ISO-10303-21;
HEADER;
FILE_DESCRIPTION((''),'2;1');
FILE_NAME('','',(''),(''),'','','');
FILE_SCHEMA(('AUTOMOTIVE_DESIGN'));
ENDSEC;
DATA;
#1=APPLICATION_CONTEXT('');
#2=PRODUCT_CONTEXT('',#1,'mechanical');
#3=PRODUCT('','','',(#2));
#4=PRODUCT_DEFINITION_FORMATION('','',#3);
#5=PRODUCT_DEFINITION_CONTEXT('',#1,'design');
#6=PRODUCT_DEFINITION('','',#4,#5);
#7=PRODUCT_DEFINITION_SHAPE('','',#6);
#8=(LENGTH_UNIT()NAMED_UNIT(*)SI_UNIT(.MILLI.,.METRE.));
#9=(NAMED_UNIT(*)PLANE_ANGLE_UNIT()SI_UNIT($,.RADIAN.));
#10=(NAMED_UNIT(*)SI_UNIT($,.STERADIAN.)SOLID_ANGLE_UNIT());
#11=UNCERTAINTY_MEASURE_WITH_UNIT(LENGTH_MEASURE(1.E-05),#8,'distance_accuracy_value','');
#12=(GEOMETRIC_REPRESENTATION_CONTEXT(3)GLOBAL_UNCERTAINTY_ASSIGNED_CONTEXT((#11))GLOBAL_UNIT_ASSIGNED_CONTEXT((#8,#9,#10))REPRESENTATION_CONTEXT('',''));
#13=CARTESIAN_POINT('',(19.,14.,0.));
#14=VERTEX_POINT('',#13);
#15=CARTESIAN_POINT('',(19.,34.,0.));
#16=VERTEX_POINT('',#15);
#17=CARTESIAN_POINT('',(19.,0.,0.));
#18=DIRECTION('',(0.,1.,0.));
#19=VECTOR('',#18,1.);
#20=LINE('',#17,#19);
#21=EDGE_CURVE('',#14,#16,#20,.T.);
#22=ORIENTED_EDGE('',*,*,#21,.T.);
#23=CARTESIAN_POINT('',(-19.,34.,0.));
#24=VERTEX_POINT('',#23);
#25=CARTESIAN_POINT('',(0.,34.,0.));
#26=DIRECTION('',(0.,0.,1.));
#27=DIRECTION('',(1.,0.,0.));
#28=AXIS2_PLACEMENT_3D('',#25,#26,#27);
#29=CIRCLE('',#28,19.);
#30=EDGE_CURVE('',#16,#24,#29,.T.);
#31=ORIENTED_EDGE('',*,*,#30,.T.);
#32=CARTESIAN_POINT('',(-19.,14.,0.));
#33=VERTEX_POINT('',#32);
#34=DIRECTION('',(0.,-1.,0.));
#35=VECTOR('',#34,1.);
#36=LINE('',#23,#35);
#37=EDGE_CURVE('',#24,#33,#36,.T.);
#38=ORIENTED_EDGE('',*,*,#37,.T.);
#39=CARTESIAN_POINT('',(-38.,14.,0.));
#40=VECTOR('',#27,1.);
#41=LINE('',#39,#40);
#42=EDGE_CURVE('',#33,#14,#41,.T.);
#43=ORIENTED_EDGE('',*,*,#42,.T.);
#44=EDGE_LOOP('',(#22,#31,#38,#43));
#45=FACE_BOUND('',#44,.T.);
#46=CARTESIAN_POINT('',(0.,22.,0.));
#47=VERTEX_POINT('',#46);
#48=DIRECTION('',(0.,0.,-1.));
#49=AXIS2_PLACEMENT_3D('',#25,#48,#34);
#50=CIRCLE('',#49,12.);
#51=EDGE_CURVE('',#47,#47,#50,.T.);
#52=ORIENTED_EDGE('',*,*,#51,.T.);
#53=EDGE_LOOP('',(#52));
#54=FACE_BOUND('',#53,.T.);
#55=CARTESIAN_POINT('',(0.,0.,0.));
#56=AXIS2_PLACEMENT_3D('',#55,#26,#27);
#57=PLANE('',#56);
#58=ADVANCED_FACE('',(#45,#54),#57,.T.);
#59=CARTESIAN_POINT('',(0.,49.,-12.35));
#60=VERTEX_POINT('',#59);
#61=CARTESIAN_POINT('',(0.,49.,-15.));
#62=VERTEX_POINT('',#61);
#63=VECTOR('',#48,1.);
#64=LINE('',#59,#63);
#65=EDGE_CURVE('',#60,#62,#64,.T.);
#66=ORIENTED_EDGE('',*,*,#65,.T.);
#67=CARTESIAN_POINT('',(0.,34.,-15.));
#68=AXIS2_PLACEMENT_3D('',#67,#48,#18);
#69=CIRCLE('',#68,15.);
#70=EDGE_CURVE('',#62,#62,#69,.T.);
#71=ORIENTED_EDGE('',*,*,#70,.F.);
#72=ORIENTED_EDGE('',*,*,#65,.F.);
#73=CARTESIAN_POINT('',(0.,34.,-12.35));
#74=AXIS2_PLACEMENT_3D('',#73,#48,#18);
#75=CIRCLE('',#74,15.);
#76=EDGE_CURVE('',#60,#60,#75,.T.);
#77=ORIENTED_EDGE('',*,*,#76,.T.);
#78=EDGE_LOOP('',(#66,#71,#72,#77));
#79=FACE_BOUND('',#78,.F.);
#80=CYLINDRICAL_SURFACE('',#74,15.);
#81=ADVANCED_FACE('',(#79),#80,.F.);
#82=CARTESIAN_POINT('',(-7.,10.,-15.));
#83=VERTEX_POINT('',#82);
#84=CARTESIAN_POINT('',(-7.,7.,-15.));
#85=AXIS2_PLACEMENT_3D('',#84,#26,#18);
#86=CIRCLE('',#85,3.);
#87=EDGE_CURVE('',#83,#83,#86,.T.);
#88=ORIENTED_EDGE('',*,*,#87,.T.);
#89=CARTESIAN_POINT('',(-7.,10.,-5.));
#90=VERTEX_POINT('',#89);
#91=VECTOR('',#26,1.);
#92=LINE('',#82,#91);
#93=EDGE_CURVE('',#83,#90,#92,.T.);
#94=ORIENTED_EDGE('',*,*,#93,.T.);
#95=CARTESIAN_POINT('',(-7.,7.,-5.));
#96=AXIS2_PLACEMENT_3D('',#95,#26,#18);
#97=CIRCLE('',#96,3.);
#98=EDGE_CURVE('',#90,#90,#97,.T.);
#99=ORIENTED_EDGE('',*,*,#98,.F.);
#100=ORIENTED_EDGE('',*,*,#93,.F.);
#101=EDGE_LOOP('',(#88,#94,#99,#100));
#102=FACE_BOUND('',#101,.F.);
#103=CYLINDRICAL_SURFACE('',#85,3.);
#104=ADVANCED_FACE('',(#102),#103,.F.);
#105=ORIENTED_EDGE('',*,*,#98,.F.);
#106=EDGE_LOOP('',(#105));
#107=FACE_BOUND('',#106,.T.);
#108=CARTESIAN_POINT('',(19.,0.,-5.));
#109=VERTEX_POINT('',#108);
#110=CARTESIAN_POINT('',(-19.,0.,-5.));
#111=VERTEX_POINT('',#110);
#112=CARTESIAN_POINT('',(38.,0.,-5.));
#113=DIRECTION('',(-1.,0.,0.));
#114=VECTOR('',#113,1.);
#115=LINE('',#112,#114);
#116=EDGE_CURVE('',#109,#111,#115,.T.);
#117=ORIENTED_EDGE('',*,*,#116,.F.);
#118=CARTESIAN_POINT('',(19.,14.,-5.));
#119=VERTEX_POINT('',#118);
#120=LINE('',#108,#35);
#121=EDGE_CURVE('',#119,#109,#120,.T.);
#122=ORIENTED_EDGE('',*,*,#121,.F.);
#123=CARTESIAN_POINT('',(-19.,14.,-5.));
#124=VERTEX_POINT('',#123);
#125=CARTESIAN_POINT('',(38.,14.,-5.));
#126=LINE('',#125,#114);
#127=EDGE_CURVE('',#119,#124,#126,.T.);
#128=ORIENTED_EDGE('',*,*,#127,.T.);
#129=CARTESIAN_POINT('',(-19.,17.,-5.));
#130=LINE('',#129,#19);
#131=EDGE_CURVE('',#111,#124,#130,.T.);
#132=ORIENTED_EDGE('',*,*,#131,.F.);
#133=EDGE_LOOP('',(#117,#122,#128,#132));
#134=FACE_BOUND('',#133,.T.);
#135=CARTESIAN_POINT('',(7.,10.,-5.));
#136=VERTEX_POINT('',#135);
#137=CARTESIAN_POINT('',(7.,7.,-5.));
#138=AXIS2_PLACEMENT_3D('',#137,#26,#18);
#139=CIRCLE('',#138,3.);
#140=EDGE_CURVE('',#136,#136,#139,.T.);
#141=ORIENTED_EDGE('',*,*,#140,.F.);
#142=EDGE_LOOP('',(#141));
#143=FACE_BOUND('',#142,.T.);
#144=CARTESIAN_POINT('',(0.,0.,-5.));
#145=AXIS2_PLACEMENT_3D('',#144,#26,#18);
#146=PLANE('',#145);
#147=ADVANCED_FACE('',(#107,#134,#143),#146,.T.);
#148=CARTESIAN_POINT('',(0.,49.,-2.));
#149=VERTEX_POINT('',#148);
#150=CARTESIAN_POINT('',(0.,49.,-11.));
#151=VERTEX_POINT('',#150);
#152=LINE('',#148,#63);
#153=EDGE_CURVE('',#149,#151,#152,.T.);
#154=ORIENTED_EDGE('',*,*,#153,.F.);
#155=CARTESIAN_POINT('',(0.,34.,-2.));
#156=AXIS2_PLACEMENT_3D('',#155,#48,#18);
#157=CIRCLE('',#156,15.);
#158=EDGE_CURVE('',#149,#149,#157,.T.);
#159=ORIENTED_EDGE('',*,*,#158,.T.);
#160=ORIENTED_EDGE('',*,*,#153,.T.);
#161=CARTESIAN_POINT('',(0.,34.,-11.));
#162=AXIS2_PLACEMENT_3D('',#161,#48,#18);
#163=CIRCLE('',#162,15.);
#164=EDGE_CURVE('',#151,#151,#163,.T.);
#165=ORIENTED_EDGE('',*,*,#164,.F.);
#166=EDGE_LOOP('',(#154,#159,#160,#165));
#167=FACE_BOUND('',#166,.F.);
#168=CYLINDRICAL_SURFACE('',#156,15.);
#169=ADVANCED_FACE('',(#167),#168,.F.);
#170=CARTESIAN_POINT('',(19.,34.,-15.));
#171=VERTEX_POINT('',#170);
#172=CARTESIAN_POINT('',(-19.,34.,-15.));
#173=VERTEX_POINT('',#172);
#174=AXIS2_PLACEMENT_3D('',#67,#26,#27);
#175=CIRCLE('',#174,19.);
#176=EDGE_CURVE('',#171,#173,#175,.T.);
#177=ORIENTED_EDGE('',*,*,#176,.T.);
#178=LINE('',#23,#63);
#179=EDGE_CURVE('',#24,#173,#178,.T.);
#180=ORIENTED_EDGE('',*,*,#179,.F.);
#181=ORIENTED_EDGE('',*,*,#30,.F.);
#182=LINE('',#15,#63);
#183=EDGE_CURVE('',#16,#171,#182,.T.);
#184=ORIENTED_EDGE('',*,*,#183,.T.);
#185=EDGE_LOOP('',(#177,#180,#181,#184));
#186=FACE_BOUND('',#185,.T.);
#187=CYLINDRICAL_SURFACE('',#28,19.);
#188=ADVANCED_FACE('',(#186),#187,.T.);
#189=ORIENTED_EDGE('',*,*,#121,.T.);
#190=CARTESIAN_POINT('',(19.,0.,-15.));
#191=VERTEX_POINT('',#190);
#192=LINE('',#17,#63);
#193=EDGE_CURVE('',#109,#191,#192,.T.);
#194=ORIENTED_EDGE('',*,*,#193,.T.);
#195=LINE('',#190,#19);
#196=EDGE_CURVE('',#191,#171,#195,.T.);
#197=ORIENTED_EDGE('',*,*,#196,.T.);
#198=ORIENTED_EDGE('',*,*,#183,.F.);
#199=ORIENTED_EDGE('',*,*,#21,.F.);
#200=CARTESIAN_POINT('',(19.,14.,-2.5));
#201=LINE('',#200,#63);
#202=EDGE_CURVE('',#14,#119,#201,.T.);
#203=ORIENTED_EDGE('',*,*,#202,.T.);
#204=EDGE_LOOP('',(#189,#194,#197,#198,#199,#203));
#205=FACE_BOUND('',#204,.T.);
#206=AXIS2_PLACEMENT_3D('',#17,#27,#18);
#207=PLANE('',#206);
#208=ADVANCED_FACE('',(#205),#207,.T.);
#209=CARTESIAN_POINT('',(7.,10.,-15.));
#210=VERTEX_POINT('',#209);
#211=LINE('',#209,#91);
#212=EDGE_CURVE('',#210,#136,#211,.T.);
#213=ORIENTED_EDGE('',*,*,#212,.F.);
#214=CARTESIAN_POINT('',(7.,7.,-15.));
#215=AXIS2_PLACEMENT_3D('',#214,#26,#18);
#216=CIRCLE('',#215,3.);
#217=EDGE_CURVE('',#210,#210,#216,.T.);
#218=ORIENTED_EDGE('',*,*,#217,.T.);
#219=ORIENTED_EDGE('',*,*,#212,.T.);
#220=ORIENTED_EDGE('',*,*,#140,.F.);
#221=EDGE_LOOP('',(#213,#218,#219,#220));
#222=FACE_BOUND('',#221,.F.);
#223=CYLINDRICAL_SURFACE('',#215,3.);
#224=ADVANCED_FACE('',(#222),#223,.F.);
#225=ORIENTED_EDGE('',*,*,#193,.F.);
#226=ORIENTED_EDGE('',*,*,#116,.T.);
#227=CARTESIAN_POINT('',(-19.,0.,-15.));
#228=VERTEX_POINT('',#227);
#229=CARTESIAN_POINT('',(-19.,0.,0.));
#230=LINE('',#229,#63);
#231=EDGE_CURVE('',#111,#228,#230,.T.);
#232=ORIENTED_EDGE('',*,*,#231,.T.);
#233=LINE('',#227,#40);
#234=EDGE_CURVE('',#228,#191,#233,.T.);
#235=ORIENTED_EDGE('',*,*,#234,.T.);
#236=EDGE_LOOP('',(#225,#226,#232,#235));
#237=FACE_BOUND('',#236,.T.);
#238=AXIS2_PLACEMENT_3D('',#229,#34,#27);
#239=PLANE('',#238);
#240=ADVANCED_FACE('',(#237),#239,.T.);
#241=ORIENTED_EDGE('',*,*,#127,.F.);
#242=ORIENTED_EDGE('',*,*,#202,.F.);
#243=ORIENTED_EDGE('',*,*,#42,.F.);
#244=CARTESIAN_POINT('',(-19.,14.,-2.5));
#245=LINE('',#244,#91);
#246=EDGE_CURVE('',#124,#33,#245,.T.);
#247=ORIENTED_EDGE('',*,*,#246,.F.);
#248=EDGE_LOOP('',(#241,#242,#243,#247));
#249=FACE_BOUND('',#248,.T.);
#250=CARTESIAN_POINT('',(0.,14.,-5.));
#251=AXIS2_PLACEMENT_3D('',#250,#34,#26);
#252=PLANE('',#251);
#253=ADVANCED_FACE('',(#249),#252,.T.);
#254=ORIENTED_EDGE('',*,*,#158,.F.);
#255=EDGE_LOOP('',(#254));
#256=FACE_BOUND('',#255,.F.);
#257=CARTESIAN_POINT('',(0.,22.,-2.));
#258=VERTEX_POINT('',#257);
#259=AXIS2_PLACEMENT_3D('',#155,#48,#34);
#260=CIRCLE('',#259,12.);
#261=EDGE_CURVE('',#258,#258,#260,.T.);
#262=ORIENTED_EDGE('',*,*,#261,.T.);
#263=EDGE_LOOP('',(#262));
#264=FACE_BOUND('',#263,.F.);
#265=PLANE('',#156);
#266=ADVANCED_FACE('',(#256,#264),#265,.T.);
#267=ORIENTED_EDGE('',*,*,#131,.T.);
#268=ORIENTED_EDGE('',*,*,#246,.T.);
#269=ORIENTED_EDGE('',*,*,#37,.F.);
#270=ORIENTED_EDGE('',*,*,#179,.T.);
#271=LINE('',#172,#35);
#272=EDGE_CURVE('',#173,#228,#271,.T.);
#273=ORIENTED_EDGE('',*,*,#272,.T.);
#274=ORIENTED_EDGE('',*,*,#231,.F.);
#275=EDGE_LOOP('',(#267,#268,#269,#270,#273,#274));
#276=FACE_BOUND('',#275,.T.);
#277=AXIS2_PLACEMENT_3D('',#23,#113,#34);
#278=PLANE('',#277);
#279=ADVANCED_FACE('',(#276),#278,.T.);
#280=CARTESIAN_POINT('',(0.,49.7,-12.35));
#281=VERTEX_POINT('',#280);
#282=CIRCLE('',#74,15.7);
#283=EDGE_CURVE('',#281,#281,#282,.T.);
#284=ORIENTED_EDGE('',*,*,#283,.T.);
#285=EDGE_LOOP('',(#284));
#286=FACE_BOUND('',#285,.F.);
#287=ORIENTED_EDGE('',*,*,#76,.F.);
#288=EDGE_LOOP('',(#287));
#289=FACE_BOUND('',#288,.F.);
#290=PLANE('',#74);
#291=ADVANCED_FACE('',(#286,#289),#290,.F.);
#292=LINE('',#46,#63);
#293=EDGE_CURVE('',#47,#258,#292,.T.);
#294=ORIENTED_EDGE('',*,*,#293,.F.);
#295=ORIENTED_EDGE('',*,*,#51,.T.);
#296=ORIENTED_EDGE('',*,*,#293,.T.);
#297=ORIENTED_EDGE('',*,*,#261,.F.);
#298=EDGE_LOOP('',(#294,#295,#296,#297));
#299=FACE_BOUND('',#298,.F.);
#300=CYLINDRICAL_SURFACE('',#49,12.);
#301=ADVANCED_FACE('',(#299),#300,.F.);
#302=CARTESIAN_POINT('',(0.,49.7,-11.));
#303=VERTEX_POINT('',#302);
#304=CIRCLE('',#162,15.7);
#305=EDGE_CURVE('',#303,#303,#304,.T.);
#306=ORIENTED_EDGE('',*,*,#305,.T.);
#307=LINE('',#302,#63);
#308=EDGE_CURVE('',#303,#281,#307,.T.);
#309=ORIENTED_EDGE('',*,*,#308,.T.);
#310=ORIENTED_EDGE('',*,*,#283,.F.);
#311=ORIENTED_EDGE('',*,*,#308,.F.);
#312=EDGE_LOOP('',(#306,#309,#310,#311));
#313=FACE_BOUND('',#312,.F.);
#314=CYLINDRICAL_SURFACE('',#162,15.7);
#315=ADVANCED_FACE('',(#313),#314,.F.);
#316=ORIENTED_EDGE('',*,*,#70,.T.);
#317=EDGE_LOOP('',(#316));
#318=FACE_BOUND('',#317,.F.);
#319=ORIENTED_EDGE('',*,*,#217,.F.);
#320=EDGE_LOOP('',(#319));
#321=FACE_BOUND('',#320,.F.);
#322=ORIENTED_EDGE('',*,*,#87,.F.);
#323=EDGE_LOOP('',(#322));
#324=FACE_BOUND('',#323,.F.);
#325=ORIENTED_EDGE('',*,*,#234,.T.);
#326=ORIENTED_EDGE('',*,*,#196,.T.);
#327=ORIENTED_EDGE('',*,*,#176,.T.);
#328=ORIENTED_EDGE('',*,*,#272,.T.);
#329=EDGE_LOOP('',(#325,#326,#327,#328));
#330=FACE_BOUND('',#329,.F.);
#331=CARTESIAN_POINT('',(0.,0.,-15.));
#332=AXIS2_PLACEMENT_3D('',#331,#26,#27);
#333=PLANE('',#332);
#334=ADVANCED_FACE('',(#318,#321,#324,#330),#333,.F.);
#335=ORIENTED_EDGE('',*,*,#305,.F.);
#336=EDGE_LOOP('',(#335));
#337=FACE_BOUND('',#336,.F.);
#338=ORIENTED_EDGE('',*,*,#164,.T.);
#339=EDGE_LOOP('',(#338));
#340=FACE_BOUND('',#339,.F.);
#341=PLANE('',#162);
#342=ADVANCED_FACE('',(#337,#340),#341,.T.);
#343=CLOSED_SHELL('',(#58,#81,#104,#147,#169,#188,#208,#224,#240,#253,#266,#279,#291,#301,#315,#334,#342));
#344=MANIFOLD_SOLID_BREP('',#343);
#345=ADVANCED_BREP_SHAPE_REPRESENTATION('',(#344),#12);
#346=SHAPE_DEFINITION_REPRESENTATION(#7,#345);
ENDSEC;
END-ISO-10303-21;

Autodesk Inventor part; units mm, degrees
sketch "Sketch_9" plane through (0, 0, 0) normal (0, 0, 1) x (1, 0, 0)
  line L0 (-19, 34) -> (-19, 0)
  line L1 (-19, 0) -> (19, 0)
  line L2 (19, 0) -> (19, 34)
  arc A0 (19, 34) -> (-19, 34) centre (0, 34) ccw
extrude "Extrusion1" add sketch "Sketch_9" against normal blind 15
sketch "Sketch_1" plane through (0, 0, 0) normal (1, 0, 0) x (0, 0, -1)
  line L0 (0, 14) -> (0, 0)
  line L1 (0, 0) -> (5, 0)
  line L2 (5, 0) -> (5, 14)
  line L3 (5, 14) -> (0, 14)
extrude "Extrusion2" cut sketch "Sketch_1" along normal mid plane 76
sketch "Sketch_2" plane through (0, 0, 0) normal (1, 0, 0) x (0, 0, -1)
  line L0 (15, 34) -> (2, 34)
  line L1 (2, 34) -> (2, 49)
  line L2 (2, 49) -> (11, 49)
  line L3 (11, 49) -> (11, 49.7)
  line L4 (11, 49.7) -> (12.35, 49.7)
  line L5 (12.35, 49.7) -> (12.35, 49)
  line L6 (12.35, 49) -> (15, 49)
  line L7 (15, 49) -> (15, 34)
  line L8 (15, 34) -> (2, 34)
revolve "Revolution1" cut sketch "Sketch_2" angle 360 about axis through (0, 34, -15) along (0, 0, -1)
sketch "Sketch4" plane through (0, 0, 0) normal (0, 0, 1) x (1, 0, 0)
  point P0 (0, 34)
hole "Hole1" at (0, 34, 0) direction (0, 0, -1) diameter 24 depth 15
sketch "Sketch5" plane through (0, 0, -15) normal (0, 0, -1) x (-1, 0, 0)
  point P0 (7, 7)
hole "Hole2" at (-7, 7, -15) direction (0, 0, 1) diameter 6 depth 15
pattern_linear "Rectangular Pattern1" count 2 spacing 14 along (1, 0, 0) of "Hole2"
ref_plane "to_bearing_XY" through (0, 34, -6.5) normal (0, 0, -1) x (1, 0, 0)
ref_plane "to_bearing_YZ" through (0, 34, -6.5) normal (1, 0, 0) x (0, -1, 0)
ref_plane "to_bearing_ZX" through (0, 34, -6.5) normal (0, -1, 0) x (0, 0, -1)
ref_plane "to_retaining_ring_XY" through (0, 34, -11) normal (0, 0, 1) x (-1, 0, 0)
ref_plane "to_retaining_ring_YZ" through (0, 34, -11) normal (-1, 0, 0) x (0, -1, 0)
ref_plane "to_retaining_ring_ZX" through (0, 34, -11) normal (0, -1, 0) x (0, 0, 1)
properties part number "SBGSNA6200ZZ-20_h"
